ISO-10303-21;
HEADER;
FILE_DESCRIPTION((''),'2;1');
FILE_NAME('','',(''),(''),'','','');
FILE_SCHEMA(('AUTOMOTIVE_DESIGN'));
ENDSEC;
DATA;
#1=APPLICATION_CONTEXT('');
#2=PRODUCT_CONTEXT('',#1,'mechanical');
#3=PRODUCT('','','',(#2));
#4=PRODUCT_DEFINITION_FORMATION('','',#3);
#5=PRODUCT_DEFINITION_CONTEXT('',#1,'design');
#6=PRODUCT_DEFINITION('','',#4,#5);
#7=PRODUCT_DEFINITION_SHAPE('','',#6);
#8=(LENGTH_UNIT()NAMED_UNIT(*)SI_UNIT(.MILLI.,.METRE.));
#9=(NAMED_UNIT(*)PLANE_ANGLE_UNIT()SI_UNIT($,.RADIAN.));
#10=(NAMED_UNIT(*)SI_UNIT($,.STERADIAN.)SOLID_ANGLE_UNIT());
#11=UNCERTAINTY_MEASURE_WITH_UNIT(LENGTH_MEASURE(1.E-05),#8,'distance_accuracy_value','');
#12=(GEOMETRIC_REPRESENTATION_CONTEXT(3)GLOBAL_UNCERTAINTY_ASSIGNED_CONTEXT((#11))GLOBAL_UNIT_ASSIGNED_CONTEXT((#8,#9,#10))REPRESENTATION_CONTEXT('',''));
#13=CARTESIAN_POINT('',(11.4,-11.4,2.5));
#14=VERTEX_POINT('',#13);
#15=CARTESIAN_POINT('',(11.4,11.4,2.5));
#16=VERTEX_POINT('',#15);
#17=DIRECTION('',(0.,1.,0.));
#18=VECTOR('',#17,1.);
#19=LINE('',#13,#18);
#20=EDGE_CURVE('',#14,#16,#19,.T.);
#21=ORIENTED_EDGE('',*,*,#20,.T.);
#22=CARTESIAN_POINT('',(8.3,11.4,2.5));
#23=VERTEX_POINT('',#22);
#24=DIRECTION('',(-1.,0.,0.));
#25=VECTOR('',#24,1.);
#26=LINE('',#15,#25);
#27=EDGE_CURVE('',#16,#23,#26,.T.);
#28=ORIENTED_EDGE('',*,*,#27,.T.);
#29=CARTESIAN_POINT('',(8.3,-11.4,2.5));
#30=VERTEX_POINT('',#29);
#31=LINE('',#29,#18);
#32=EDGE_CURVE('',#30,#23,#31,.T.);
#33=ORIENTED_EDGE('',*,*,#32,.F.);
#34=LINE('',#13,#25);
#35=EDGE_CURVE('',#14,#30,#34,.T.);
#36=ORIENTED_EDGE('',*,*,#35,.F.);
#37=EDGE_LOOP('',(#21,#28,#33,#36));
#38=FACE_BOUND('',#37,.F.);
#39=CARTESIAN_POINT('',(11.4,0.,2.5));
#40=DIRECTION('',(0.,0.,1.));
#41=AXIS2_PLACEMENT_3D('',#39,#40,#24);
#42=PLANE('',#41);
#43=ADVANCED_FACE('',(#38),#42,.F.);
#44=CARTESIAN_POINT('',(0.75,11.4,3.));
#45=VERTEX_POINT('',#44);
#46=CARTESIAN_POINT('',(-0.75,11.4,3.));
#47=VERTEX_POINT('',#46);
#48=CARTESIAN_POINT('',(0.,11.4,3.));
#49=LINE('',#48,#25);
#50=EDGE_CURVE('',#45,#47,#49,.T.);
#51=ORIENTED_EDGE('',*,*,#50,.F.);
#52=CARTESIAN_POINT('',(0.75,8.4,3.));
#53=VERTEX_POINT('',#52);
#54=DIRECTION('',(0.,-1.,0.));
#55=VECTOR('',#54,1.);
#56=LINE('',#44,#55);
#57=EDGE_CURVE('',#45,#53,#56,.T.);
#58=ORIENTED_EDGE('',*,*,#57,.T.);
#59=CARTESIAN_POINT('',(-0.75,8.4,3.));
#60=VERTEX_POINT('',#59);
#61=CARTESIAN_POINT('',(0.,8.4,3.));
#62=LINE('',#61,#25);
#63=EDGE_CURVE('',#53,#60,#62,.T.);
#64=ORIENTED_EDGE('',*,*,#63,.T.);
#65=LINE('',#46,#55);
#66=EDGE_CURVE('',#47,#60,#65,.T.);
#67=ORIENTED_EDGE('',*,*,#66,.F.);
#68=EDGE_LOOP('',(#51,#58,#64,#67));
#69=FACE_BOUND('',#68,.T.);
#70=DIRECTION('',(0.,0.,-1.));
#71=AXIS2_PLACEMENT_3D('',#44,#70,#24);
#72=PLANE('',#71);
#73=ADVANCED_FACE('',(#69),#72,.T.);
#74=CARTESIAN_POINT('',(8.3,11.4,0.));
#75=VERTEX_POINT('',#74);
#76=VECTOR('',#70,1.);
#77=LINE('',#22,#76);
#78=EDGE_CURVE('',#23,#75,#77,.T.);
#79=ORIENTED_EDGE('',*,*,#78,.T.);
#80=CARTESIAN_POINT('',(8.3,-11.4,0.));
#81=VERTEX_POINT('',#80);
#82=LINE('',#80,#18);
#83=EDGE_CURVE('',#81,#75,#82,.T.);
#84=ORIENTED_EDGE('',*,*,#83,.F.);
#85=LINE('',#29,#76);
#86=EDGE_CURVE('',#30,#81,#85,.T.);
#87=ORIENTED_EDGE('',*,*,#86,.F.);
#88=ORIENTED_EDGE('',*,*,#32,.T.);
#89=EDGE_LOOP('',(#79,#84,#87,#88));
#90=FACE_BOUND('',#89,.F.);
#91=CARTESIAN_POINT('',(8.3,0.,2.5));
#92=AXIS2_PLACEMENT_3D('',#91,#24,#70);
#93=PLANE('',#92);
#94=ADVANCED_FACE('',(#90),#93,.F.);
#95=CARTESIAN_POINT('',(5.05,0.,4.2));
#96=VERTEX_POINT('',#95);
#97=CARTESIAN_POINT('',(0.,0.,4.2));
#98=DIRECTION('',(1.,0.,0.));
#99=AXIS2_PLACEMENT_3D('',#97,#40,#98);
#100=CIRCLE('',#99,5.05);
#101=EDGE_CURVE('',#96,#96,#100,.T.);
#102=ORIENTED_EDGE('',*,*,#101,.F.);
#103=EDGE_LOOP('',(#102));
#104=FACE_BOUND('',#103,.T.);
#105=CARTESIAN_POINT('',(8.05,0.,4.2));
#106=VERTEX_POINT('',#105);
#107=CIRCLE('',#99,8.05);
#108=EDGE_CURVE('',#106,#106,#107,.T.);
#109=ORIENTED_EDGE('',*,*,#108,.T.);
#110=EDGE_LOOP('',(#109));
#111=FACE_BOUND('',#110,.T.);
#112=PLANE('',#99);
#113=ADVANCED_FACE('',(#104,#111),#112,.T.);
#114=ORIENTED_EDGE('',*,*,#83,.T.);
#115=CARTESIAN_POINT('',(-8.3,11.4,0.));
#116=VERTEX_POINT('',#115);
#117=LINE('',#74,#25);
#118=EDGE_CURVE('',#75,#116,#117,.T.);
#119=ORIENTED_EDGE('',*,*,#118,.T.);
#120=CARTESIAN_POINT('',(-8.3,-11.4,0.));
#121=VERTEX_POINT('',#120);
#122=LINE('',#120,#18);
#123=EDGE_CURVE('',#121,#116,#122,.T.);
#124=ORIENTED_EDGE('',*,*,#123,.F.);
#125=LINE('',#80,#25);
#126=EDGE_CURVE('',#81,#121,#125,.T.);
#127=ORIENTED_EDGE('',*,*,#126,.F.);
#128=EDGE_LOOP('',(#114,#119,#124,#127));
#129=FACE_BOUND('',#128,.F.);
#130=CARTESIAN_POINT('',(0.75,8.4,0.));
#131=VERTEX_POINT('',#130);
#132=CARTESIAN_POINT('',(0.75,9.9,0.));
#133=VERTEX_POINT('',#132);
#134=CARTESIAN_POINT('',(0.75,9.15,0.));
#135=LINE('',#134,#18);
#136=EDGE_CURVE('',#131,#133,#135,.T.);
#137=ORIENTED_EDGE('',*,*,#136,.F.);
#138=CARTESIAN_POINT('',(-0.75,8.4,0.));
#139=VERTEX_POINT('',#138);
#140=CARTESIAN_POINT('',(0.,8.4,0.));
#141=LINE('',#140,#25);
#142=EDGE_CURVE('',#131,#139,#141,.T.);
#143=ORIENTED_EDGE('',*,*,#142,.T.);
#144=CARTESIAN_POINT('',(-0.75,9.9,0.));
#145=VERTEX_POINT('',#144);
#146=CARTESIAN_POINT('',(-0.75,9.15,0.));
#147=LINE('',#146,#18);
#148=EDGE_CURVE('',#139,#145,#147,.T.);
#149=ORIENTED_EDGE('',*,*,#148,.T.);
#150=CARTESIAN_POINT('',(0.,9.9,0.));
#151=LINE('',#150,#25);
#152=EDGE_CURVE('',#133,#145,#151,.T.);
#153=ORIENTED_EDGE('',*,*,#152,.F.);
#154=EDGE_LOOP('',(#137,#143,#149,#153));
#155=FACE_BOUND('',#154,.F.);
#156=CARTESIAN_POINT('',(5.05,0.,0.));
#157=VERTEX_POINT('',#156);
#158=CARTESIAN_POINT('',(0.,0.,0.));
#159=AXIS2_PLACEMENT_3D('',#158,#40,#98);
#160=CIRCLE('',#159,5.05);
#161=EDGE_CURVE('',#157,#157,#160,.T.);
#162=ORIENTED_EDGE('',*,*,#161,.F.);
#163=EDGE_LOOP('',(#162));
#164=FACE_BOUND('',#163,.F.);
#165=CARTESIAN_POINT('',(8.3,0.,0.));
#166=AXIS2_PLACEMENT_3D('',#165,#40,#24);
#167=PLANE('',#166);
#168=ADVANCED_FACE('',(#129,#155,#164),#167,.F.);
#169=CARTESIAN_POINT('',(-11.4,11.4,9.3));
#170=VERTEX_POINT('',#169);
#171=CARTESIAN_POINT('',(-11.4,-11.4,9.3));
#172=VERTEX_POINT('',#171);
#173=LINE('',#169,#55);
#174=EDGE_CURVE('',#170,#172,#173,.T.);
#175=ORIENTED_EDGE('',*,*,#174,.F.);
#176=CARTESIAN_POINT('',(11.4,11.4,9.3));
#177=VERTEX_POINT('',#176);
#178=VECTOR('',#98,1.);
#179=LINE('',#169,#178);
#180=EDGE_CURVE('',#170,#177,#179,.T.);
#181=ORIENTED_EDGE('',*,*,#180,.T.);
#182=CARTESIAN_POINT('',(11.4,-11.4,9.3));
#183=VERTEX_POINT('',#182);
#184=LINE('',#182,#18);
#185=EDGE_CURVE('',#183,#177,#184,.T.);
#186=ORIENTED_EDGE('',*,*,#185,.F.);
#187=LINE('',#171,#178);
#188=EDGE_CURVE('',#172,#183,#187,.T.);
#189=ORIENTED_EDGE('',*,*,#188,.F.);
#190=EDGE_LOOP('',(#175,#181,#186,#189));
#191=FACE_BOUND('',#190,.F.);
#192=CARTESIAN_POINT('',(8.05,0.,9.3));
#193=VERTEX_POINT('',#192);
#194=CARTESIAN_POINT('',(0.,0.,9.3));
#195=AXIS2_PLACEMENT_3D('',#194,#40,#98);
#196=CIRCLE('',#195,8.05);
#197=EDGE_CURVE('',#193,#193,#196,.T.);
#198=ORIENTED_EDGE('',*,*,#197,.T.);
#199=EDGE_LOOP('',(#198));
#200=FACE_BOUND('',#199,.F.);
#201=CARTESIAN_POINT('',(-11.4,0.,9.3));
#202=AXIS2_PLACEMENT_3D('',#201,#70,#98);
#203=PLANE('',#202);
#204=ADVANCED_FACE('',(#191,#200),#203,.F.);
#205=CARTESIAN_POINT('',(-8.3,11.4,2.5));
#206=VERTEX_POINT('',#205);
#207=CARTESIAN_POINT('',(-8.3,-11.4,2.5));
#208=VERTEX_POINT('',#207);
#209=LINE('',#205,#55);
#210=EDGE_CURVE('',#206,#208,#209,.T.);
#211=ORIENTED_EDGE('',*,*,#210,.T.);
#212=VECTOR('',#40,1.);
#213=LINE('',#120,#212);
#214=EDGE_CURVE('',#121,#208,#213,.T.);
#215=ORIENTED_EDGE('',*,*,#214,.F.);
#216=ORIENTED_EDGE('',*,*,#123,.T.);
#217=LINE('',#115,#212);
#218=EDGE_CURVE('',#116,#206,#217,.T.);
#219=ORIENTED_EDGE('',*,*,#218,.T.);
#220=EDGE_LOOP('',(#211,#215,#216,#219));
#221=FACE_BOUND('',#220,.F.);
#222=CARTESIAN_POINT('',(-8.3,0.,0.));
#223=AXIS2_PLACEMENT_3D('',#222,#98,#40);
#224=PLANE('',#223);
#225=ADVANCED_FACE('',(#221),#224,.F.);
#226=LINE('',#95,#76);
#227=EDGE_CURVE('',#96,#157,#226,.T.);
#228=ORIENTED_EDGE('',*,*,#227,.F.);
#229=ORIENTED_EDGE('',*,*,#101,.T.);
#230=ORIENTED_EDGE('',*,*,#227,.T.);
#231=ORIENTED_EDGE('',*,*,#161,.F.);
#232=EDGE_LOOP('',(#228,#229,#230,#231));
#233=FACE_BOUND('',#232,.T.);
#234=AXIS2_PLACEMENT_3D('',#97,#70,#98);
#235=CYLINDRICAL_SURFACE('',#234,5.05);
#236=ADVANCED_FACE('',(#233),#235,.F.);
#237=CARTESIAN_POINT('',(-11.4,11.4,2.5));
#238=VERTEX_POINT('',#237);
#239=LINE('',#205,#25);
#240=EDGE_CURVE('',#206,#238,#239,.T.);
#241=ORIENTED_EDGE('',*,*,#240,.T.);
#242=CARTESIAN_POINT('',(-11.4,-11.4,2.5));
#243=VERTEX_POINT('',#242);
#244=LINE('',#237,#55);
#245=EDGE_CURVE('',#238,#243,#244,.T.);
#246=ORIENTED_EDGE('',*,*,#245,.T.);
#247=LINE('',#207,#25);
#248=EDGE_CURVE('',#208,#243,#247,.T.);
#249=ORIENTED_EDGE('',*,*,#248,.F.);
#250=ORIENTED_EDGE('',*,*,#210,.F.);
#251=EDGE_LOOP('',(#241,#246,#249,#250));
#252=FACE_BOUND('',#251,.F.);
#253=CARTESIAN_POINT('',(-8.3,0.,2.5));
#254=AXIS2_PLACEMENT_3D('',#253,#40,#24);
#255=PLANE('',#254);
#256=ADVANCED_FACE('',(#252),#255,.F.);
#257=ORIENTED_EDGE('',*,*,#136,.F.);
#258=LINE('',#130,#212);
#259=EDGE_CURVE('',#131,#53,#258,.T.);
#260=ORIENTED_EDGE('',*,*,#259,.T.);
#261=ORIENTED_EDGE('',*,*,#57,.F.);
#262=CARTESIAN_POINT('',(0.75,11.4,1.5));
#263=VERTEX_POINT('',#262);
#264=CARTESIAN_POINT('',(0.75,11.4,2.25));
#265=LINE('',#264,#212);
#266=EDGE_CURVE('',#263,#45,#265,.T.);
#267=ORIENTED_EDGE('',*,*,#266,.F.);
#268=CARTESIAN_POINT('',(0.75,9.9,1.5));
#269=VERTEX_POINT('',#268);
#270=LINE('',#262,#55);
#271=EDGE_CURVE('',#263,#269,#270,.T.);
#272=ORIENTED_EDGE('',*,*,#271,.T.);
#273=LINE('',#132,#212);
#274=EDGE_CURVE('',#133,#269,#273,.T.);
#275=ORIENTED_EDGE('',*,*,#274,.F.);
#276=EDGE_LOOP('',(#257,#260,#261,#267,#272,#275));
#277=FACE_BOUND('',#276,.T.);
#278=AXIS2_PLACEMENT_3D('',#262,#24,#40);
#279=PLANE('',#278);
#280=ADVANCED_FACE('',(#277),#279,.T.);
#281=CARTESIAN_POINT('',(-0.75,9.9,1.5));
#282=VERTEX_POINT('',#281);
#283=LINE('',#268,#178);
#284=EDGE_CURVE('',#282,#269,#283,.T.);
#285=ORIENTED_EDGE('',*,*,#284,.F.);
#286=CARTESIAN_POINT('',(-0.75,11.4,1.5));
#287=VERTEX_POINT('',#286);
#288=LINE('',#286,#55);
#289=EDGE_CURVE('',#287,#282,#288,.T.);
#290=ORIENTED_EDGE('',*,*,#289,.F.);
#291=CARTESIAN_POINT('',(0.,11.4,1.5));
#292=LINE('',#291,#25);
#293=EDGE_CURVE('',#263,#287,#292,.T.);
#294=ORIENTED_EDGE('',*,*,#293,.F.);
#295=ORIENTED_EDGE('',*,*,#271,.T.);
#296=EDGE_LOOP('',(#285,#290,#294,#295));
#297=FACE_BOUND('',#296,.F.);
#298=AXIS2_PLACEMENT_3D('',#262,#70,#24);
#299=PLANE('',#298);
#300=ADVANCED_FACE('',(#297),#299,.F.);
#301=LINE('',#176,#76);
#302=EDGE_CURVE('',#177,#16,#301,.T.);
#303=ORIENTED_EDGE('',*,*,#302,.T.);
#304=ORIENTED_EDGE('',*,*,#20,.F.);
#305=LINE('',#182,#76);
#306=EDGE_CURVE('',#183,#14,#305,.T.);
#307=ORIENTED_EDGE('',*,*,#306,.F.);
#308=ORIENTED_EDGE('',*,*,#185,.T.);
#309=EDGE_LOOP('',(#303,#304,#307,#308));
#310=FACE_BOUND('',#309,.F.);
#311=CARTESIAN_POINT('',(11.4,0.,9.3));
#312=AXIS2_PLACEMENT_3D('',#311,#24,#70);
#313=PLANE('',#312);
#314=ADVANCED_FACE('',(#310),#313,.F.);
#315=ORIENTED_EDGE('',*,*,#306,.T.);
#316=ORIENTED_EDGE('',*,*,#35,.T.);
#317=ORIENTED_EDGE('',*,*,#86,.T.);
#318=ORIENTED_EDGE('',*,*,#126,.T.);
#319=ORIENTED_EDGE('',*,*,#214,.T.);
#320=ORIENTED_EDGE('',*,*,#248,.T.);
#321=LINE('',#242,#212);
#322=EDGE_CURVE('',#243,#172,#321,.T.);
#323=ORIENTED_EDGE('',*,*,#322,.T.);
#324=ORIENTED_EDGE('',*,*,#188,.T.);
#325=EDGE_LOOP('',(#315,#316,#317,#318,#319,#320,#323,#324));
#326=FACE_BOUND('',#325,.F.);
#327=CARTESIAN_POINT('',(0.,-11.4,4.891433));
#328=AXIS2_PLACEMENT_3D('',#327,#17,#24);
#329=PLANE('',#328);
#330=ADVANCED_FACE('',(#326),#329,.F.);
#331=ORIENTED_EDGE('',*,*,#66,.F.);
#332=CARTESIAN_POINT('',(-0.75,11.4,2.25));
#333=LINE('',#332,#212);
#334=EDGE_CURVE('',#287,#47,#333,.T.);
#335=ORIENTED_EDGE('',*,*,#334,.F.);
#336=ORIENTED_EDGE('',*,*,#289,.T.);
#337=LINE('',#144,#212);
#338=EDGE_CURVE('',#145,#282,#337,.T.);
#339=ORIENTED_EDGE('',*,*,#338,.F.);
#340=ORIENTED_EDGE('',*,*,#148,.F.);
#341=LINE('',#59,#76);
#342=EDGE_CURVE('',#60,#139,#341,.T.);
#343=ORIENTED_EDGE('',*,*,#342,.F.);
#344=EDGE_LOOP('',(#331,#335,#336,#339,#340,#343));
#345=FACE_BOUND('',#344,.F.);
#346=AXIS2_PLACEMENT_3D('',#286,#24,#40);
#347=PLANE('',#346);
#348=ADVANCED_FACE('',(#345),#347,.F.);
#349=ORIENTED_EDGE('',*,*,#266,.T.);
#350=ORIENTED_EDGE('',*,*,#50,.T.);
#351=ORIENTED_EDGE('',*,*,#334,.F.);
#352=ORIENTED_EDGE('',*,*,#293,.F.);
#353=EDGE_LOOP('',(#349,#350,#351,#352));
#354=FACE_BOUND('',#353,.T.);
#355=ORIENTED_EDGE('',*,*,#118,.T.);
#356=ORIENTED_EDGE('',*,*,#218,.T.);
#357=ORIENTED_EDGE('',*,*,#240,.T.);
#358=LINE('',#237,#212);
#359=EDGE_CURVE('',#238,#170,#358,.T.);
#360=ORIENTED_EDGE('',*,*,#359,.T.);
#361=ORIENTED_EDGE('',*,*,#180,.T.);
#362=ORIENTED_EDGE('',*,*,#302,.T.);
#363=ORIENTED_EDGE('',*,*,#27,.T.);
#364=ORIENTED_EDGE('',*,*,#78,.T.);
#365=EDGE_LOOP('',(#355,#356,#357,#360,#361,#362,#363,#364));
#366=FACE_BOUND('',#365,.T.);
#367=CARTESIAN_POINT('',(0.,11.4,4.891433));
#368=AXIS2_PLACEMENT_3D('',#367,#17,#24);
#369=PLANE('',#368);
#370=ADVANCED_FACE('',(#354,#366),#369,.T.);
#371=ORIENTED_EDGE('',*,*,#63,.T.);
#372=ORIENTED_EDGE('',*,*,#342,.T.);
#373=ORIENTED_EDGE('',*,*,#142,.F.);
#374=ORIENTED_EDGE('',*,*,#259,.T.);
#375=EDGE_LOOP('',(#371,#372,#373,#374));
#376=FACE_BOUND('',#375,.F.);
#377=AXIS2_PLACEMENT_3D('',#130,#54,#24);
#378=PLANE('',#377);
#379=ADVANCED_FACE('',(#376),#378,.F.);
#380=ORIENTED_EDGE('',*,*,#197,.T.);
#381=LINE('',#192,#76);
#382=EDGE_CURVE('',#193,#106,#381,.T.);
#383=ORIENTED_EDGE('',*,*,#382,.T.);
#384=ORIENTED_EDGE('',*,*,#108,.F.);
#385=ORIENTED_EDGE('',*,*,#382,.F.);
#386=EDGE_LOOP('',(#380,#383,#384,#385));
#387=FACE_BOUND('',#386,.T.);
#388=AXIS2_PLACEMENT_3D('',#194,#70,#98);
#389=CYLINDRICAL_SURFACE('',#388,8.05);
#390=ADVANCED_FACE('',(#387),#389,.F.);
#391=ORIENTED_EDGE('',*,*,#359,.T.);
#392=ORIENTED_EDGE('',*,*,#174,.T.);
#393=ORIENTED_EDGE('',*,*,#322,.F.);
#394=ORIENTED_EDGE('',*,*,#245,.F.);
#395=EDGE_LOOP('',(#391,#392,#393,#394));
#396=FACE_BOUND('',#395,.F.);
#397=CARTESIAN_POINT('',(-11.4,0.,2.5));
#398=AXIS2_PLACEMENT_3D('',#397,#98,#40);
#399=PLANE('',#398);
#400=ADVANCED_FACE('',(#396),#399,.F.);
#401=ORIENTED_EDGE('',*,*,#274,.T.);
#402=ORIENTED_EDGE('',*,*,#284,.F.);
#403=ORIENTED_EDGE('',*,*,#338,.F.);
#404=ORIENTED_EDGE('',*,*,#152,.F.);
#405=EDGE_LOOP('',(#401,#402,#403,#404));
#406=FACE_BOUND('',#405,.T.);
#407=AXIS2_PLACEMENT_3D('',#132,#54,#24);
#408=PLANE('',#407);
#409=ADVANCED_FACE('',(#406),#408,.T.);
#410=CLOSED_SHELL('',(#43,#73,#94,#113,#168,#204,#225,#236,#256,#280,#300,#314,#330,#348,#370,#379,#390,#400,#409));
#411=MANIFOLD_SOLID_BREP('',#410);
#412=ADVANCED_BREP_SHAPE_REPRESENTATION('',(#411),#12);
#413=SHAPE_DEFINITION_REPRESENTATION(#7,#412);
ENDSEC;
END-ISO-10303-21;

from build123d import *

# Parameters (mm, degrees)
PAD_DEPTH       = 11.4
SKETCH002_W     = 1.5
SKETCH002_H     = 1.5
POCKET_DEPTH    = 3
SKETCH003_W     = 1.5
SKETCH003_H     = 1.5
POCKET001_DEPTH = 3


with BuildPart() as part:
    # Sketch → Pad (new body, symmetric)
    with BuildSketch(Plane.XZ):
        Polygon((-11.4, 9.3), (11.4, 9.3), (11.4, 2.5), (8.3, 2.5), (8.3, 0), (-8.3, 0), (-8.3, 2.5), (-11.4, 2.5), align=None)
    extrude(amount=PAD_DEPTH, both=True)

    # Sketch001 → Groove (revolve, cut)
    with BuildSketch(Plane.XZ):
        Polygon((0, 9.3), (8.05, 9.3), (8.05, 4.2), (5.05, 4.2), (5.05, 0), (0, 0), align=None)
    revolve(axis=Axis((0, 0, 0), (0, 0, 1)), mode=Mode.SUBTRACT)

    # Sketch002 → Pocket (cut)
    with BuildSketch(Plane(origin=(0, 0, 0), x_dir=(-1, 0, 0), z_dir=(0, 0, -1))):
        with Locations((0, 9.15)):
            Rectangle(SKETCH002_W, SKETCH002_H)
    extrude(amount=-POCKET_DEPTH, mode=Mode.SUBTRACT)

    # Sketch003 → Pocket001 (cut)
    with BuildSketch(Plane(origin=(0, 11.4, 0), x_dir=(-1, 0, 0), z_dir=(0, 1, 0))):
        with Locations((0, 2.25)):
            Rectangle(SKETCH003_W, SKETCH003_H)
    extrude(amount=-POCKET001_DEPTH, mode=Mode.SUBTRACT)


solid = part.part
